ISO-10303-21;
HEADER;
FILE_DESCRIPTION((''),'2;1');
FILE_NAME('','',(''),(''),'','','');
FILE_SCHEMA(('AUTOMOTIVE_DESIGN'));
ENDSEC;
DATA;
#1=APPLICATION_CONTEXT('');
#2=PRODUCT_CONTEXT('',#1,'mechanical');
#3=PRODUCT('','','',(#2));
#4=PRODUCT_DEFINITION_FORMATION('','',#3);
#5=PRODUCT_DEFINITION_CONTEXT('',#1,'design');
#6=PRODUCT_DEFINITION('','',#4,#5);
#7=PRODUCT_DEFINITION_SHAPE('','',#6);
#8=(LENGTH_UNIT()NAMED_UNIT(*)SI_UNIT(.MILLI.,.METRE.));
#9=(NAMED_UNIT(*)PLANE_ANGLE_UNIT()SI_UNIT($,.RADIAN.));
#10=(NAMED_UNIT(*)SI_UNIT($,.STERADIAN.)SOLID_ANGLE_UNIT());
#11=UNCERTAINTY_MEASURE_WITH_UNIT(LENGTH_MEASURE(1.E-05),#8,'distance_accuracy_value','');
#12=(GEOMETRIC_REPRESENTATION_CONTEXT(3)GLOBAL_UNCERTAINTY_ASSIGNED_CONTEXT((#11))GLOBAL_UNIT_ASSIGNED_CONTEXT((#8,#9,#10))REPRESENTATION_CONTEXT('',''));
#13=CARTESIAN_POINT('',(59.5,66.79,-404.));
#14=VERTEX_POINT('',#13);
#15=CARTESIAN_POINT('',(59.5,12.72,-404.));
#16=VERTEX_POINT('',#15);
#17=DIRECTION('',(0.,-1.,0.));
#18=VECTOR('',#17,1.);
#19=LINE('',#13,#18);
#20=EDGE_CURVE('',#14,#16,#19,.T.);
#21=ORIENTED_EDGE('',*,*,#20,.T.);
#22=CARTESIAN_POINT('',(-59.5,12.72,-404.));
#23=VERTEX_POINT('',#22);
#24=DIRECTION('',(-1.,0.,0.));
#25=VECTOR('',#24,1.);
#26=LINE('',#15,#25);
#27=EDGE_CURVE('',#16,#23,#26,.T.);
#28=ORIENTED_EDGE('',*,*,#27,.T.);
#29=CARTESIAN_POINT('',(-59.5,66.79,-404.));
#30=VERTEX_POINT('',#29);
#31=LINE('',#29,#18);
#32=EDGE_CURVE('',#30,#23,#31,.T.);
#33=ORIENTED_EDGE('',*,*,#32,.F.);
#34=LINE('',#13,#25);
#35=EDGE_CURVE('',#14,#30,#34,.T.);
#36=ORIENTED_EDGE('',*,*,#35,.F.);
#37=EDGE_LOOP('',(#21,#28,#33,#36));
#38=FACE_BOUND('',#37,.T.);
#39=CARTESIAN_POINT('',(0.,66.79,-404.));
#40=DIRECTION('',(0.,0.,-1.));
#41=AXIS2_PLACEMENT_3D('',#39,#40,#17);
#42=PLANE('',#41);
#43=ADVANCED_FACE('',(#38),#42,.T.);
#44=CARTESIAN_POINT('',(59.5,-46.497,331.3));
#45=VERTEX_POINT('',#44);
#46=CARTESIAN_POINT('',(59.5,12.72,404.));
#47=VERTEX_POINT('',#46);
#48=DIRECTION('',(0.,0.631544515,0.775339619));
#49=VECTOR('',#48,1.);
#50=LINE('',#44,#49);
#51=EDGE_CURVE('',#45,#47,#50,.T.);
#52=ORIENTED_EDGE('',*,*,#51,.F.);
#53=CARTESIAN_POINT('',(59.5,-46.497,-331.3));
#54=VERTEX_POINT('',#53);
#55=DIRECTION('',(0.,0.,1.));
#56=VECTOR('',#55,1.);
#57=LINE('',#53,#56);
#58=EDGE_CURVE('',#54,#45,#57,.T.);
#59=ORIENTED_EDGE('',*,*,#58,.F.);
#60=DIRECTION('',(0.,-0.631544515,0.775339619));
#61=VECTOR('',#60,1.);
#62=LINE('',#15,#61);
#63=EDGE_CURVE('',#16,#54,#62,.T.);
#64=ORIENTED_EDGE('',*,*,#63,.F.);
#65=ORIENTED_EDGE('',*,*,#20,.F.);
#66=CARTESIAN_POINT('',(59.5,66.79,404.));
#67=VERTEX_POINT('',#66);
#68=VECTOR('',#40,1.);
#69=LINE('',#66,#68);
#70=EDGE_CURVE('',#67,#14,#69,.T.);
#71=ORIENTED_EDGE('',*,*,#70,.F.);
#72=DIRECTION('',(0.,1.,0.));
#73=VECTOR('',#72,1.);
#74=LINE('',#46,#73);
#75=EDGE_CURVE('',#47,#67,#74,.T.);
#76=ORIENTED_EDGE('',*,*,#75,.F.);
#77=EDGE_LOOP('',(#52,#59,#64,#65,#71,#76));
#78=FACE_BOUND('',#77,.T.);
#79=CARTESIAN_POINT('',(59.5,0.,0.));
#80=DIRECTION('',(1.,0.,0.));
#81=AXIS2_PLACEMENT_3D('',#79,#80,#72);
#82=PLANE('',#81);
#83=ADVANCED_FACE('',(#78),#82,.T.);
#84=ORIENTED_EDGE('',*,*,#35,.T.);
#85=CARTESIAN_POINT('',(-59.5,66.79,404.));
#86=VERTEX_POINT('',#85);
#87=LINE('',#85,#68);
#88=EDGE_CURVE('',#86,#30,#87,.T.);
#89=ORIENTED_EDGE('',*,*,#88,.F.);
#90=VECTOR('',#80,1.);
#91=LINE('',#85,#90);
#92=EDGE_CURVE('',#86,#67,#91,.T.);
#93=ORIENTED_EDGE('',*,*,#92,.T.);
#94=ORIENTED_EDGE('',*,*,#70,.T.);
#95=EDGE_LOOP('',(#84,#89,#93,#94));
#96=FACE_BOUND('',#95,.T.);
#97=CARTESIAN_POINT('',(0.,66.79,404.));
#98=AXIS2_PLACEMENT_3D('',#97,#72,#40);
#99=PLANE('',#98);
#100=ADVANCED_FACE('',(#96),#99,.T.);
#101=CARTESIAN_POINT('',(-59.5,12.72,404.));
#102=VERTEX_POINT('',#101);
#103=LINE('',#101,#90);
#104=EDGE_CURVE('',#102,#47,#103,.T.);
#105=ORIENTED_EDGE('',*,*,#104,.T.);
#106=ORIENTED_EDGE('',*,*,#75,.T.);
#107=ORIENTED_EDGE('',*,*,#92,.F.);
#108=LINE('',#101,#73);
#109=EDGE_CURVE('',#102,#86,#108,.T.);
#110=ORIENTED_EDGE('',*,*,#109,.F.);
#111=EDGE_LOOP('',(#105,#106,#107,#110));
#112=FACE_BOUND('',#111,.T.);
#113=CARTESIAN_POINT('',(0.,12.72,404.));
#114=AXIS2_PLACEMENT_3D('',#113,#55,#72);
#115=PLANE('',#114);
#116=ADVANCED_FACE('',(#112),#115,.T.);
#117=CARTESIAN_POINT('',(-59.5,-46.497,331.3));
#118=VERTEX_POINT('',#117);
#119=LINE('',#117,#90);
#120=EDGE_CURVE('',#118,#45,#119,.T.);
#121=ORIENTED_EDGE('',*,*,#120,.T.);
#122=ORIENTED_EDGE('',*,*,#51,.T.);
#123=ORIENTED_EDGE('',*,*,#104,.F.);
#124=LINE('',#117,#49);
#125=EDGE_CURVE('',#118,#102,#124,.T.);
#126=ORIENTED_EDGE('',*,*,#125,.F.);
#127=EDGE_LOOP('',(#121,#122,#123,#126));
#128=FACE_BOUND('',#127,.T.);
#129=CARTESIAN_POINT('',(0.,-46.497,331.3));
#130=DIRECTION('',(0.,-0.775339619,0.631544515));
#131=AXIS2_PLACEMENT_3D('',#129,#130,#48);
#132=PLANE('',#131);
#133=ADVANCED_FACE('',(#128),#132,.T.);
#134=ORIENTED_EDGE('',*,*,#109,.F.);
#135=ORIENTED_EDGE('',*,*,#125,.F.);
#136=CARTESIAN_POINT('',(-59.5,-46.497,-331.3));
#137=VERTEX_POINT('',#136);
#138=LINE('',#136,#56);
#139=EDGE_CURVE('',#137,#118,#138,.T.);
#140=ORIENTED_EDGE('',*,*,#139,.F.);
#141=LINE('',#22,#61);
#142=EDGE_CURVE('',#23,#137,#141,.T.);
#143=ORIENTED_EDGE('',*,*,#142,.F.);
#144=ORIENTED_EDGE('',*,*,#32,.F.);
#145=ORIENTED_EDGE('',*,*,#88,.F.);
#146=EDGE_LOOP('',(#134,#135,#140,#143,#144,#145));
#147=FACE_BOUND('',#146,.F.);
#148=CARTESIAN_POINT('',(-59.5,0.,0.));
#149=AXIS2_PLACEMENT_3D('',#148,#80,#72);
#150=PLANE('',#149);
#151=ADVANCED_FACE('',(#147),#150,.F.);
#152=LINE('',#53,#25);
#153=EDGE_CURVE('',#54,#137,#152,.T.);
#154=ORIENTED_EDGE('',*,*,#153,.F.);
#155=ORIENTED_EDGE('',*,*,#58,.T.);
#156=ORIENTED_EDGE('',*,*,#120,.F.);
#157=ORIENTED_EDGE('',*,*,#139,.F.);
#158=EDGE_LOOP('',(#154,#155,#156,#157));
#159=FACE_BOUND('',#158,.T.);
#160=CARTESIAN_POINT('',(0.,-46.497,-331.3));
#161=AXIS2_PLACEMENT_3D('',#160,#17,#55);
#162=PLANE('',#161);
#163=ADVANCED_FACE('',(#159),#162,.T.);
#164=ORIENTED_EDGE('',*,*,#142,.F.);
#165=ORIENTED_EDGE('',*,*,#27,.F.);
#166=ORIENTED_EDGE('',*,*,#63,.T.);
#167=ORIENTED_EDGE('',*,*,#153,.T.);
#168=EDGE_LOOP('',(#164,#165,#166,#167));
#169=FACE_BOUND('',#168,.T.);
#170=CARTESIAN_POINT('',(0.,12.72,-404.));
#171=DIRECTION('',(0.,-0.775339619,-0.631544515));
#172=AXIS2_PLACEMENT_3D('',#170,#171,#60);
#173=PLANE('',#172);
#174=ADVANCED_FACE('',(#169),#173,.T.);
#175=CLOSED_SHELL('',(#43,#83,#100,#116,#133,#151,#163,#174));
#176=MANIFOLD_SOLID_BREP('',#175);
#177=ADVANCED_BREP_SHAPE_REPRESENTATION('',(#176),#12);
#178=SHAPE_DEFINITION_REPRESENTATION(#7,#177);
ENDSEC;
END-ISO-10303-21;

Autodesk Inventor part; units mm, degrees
ref_plane "XZ Plane" through (0, 0, 0) normal (0, 1, 0) x (-1, 0, 0)
ref_plane "XY Plane" through (0, 0, 0) normal (0, 0, 1) x (1, 0, 0)
sketch "Sketch1" plane through (0, 0, 0) normal (1, 0, 0) x (0, 1, 0)
  line L0 (66.79, 404) -> (66.79, -404)
  line L1 (66.79, -404) -> (12.72, -404)
  line L2 (12.72, -404) -> (-46.497, -331.3)
  line L3 (-46.497, -331.3) -> (-46.497, 331.3)
  line L4 (-46.497, 331.3) -> (12.72, 404)
  line L5 (12.72, 404) -> (66.79, 404)
  point P0 (0, 0)
  dimension "d0" = 331.3
  dimension "d1" = 331.3
  dimension "d2" = 46.497
  dimension "d3" = 46.497
  dimension "d4" = 12.72
  dimension "d5" = 12.72
  dimension "d6" = 404
  dimension "d7" = 404
  dimension "d8" = 66.79
extrude "Extrusion1" add sketch "Sketch1" along normal mid plane 119
properties part number "Enemy_Track_collision"
